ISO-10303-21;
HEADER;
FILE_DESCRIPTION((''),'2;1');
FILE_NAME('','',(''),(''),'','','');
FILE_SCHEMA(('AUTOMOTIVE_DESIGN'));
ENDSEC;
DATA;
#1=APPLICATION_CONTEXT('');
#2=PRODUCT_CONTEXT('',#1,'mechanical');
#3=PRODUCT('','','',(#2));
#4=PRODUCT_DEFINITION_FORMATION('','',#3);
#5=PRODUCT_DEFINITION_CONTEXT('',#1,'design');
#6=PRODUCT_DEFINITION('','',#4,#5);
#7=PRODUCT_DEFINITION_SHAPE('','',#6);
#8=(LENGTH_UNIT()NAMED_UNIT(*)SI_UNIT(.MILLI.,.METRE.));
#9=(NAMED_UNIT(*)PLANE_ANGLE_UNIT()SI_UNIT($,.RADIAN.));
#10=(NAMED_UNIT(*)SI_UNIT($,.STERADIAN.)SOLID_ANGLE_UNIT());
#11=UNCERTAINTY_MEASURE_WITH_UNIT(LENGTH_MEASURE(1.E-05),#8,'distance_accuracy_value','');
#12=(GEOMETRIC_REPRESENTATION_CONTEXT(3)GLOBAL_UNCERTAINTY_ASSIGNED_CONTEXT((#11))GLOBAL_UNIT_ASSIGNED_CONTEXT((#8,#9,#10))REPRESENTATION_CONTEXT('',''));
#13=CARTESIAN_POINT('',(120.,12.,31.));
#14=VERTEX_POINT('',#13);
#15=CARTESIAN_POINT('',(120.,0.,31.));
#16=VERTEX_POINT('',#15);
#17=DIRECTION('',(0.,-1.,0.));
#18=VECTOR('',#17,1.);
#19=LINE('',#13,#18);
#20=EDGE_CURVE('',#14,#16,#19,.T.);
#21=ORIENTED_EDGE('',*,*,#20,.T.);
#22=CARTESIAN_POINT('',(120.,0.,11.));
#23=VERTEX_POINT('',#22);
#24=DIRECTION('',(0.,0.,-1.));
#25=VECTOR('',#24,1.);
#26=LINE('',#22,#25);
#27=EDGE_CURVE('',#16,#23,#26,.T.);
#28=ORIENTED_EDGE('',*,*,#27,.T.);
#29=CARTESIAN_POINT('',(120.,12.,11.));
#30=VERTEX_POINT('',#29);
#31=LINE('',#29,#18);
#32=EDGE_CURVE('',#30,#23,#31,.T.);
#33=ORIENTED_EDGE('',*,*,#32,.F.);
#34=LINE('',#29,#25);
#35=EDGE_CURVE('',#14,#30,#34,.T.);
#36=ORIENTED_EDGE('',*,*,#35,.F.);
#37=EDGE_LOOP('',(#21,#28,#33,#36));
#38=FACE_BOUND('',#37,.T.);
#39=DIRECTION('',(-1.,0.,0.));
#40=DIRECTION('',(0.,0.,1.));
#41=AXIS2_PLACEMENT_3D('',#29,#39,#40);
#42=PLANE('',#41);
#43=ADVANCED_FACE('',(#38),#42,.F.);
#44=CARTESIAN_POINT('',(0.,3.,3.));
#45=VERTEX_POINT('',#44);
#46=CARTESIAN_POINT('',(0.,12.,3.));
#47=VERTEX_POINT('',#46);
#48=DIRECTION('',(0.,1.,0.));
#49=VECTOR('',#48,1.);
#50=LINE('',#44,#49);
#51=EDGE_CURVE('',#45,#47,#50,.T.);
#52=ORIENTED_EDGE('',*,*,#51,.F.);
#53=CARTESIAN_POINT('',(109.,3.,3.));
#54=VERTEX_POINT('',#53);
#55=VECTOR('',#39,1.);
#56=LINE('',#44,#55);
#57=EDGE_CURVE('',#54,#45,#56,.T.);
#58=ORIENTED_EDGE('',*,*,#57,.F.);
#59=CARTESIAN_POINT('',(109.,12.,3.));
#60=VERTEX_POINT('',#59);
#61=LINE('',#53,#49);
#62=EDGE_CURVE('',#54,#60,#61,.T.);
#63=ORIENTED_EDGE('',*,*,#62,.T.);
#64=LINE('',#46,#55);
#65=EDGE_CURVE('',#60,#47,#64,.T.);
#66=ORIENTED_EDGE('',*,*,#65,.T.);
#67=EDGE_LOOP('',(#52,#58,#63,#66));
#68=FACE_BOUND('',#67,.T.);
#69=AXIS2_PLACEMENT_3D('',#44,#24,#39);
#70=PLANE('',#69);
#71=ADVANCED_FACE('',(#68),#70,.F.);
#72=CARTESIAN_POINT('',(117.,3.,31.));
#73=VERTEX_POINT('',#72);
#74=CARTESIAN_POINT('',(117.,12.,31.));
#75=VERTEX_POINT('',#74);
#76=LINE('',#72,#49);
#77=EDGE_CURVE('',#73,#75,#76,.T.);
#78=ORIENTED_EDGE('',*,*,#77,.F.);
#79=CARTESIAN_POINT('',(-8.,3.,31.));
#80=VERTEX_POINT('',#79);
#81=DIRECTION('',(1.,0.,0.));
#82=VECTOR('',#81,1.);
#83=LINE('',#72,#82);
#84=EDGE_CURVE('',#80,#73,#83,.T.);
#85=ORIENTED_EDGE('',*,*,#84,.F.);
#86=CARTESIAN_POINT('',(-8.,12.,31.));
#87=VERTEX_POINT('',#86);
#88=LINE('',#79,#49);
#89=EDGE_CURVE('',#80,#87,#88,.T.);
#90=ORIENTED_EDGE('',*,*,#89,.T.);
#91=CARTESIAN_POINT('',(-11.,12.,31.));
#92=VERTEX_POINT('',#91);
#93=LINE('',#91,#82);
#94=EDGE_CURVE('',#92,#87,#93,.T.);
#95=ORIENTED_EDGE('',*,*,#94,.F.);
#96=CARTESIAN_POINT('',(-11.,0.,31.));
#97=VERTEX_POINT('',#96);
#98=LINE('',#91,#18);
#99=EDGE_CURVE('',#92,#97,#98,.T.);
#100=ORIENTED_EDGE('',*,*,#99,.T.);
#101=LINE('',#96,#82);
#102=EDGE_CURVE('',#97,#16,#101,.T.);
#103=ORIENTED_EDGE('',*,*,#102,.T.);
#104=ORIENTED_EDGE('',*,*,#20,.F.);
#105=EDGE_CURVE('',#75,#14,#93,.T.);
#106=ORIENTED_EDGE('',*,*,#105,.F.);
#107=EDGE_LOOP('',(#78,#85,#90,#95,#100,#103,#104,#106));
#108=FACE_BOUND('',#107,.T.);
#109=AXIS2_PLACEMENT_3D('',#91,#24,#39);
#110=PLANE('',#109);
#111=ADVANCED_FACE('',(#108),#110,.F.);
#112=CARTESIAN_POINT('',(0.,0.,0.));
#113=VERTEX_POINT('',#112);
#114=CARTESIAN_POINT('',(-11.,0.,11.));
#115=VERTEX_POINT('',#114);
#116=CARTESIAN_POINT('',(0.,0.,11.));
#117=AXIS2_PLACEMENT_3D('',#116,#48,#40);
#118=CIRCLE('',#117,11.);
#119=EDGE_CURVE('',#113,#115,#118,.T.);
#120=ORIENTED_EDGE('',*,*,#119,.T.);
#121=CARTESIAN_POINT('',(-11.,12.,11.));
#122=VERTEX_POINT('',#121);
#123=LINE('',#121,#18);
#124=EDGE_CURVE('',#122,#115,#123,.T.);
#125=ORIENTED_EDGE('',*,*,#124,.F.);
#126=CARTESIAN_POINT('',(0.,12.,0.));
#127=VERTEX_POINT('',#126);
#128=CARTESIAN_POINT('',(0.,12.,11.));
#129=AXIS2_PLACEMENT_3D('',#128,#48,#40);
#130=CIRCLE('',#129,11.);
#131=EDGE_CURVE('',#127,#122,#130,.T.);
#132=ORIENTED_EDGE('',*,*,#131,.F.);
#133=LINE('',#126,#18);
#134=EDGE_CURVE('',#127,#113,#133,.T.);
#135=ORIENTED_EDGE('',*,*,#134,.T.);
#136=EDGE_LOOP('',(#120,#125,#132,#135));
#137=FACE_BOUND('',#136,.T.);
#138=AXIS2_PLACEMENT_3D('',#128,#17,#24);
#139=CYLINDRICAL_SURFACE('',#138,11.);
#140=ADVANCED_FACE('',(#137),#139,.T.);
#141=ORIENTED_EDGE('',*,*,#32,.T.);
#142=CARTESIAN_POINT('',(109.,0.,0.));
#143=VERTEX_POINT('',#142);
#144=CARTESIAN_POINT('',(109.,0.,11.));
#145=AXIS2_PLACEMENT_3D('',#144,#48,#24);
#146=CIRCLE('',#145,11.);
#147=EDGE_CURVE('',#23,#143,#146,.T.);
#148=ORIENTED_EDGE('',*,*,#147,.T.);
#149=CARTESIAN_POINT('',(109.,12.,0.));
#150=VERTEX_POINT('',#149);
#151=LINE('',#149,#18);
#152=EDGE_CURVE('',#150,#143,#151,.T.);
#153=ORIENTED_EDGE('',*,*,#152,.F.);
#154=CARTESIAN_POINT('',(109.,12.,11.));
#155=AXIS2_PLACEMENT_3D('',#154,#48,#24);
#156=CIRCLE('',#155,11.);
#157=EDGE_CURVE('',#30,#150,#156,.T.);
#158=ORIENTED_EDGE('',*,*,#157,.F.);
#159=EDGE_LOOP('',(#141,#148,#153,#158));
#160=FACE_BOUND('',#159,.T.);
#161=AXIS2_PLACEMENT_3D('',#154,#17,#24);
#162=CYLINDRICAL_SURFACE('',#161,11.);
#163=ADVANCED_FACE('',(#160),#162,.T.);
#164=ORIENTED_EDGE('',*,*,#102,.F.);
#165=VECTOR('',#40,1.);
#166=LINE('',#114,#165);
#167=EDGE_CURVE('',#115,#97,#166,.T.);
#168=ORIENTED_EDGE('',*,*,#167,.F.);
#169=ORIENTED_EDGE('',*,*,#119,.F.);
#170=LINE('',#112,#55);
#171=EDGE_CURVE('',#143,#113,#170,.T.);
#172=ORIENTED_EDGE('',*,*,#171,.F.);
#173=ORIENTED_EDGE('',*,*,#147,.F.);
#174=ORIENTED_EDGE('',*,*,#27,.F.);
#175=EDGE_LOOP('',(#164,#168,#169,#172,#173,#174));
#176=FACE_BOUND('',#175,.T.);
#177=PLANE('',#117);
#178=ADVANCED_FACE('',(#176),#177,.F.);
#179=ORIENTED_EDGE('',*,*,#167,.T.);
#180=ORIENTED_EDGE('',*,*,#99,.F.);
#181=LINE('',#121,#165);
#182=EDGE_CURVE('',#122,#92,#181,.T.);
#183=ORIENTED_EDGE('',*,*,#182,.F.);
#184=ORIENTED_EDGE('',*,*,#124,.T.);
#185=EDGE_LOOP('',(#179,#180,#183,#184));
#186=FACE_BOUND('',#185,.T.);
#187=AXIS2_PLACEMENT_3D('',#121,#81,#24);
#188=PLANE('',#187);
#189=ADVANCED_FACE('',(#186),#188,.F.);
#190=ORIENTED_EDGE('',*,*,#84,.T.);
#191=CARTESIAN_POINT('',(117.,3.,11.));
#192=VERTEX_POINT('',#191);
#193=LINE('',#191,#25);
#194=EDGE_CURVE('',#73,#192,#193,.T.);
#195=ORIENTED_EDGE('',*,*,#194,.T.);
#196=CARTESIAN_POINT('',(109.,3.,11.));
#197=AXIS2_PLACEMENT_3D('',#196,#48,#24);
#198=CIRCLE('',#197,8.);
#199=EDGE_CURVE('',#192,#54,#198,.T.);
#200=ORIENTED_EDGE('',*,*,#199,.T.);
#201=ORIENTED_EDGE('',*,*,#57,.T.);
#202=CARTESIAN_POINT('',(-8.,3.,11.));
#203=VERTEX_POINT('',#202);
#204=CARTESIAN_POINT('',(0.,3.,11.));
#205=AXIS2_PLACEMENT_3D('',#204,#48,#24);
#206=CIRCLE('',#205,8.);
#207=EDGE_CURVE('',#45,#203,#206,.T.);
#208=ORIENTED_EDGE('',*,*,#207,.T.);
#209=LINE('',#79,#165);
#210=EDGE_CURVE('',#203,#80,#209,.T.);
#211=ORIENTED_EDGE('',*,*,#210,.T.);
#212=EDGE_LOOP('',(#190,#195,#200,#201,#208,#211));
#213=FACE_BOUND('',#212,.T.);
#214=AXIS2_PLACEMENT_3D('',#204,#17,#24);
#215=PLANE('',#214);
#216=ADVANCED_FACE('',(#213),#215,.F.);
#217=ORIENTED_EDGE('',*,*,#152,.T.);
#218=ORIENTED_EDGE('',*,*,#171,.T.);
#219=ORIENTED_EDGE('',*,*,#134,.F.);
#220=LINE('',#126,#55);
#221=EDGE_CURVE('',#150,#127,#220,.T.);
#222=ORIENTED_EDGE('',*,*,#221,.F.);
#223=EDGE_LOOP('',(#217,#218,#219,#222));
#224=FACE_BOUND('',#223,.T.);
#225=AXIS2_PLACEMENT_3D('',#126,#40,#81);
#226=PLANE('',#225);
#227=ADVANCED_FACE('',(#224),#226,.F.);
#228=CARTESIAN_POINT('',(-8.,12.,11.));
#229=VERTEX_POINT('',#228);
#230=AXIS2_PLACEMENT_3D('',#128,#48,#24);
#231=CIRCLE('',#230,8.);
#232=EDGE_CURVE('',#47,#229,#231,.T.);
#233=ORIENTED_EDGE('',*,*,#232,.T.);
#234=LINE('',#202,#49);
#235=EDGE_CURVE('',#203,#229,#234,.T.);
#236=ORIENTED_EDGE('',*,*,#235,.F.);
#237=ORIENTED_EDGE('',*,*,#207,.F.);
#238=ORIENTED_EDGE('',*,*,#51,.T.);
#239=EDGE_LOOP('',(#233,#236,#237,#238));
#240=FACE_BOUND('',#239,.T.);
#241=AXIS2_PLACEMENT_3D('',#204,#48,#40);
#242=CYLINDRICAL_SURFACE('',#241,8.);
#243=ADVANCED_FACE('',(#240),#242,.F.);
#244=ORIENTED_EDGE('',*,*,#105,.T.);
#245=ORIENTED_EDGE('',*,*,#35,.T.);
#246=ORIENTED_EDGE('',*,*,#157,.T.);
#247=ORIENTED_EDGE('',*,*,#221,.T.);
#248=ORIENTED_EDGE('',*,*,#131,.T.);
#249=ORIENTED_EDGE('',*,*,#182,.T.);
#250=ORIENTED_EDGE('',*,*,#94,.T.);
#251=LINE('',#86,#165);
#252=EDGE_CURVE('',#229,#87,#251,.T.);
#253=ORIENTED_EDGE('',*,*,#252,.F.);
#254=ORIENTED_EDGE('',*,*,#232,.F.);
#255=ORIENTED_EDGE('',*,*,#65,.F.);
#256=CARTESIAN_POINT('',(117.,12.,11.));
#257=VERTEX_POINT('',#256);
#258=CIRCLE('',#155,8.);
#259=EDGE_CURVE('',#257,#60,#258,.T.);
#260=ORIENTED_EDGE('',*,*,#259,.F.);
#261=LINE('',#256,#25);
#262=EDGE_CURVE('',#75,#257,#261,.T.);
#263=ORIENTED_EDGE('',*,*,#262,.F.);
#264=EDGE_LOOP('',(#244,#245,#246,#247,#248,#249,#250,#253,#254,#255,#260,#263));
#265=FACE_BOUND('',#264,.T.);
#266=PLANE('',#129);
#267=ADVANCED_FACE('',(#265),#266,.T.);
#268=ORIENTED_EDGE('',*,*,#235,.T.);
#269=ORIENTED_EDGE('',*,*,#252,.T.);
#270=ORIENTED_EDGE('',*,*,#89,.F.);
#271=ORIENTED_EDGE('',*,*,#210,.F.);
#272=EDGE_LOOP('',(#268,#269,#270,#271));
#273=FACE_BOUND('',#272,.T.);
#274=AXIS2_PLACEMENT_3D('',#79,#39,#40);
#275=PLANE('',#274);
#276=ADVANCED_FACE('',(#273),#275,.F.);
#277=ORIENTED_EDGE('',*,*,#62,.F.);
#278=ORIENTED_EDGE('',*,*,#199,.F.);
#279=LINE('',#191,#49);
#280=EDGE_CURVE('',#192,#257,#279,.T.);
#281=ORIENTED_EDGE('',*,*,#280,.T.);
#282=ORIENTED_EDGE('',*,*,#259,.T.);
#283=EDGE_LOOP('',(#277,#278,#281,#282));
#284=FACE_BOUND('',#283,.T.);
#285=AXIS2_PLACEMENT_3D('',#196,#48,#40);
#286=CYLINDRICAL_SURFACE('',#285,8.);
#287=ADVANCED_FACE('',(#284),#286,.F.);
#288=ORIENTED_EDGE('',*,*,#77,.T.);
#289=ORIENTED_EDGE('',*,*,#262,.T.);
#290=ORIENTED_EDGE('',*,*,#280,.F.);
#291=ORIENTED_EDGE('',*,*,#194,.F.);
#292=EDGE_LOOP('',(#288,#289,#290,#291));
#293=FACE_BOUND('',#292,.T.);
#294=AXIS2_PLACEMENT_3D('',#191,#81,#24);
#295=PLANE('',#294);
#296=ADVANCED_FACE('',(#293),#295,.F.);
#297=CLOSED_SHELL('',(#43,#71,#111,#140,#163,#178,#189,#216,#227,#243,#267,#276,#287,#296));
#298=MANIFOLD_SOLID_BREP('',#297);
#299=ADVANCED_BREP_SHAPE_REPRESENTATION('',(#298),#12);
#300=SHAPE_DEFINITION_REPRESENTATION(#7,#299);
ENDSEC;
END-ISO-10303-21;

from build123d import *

# Parameters (mm, degrees)
EXTRUDE_1_DEPTH     = 12
CUT_EXTRUDE_1_DEPTH = 9


with BuildPart() as part:
    # 草图1 → 凸台-拉伸1 (new body)
    with BuildSketch(Plane(origin=(0, 0, 0), x_dir=(1, 0, 0), z_dir=(0, 1, 0))):
        with BuildLine():
            Line((0, 0), (109, 0))
            ThreePointArc((109, 0), (116.778174593, -3.221825407), (120, -11))
            Line((120, -11), (120, -31))
            Line((120, -31), (-11, -31))
            Line((-11, -31), (-11, -11))
            ThreePointArc((-11, -11), (-7.778174593, -3.221825407), (0, 0))
        make_face()
    extrude(amount=EXTRUDE_1_DEPTH)

    # 草图2 → 切除-拉伸1 (cut)
    with BuildSketch(Plane(origin=(0, 12, 0), x_dir=(1, 0, 0), z_dir=(0, 1, 0))):
        with BuildLine():
            Line((-8, -31), (-8, -11))
            ThreePointArc((-8, -11), (-5.656854249, -5.343145751), (0, -3))
            Line((0, -3), (109, -3))
            ThreePointArc((109, -3), (114.656854249, -5.343145751), (117, -11))
            Line((117, -11), (117, -31))
            Line((117, -31), (-8, -31))
        make_face()
    extrude(amount=-CUT_EXTRUDE_1_DEPTH, mode=Mode.SUBTRACT)


solid = part.part
